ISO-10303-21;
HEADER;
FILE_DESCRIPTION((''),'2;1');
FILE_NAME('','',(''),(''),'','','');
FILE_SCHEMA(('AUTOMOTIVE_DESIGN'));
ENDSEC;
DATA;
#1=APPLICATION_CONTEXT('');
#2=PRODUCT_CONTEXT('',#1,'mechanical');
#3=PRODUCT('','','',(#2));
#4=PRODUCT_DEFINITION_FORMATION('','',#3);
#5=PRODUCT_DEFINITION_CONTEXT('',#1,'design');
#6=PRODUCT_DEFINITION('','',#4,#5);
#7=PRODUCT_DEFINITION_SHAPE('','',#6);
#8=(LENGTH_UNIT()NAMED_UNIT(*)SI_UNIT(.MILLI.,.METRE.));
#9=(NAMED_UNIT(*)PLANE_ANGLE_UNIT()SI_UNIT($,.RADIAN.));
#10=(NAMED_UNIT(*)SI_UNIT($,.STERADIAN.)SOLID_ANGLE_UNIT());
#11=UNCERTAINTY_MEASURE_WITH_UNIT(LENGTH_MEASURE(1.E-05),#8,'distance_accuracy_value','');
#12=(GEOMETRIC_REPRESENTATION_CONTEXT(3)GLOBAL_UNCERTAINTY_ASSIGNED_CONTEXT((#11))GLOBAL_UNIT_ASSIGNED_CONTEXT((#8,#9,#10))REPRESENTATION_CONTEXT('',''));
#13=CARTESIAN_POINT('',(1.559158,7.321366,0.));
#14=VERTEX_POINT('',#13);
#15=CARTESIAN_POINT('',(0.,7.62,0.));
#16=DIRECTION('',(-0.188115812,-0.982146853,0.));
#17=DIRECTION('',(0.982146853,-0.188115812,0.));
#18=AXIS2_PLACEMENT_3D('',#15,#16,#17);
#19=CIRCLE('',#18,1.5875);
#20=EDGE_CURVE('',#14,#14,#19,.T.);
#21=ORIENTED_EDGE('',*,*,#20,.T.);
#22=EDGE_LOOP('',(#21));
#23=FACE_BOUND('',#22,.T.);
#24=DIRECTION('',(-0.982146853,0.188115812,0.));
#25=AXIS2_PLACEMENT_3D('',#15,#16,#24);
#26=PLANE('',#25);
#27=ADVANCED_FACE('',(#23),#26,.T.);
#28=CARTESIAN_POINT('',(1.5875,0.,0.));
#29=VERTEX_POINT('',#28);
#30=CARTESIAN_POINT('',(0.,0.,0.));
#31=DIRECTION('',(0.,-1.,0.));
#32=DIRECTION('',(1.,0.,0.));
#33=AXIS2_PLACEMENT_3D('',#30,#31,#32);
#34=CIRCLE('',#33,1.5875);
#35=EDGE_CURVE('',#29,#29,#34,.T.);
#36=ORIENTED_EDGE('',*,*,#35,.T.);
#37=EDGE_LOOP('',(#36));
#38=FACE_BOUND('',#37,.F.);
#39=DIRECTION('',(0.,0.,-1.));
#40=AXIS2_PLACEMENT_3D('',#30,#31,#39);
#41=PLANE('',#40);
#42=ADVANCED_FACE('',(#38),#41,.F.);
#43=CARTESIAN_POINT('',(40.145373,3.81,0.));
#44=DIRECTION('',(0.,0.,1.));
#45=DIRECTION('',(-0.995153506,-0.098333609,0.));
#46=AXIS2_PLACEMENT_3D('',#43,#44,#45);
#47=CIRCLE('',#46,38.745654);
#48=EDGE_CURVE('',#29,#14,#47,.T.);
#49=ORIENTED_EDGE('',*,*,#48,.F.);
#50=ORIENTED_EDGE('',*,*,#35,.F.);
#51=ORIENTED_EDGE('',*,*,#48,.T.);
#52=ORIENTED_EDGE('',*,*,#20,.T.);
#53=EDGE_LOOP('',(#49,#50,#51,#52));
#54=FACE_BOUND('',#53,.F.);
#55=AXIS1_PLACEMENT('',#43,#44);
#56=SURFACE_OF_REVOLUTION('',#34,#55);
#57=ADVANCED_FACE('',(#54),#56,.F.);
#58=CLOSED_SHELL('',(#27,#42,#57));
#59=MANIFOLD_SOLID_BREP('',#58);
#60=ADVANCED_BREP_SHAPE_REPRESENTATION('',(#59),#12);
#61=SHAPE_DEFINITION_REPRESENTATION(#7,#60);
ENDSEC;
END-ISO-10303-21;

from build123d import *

# Parameters (mm, degrees)
F0_R = 1.5875


with BuildPart() as f2:
    # F2: sweep along a path in F1
    with BuildLine(Plane.XY) as f2_path:
        ThreePointArc((0, 0), (80.4711358014, 3.81), (0, 7.62))
    # F0 (on Front) → F2 (sweep)
    with BuildSketch(Plane.XZ):
        Circle(F0_R)
    sweep(path=f2_path.line)


solid = f2.part
